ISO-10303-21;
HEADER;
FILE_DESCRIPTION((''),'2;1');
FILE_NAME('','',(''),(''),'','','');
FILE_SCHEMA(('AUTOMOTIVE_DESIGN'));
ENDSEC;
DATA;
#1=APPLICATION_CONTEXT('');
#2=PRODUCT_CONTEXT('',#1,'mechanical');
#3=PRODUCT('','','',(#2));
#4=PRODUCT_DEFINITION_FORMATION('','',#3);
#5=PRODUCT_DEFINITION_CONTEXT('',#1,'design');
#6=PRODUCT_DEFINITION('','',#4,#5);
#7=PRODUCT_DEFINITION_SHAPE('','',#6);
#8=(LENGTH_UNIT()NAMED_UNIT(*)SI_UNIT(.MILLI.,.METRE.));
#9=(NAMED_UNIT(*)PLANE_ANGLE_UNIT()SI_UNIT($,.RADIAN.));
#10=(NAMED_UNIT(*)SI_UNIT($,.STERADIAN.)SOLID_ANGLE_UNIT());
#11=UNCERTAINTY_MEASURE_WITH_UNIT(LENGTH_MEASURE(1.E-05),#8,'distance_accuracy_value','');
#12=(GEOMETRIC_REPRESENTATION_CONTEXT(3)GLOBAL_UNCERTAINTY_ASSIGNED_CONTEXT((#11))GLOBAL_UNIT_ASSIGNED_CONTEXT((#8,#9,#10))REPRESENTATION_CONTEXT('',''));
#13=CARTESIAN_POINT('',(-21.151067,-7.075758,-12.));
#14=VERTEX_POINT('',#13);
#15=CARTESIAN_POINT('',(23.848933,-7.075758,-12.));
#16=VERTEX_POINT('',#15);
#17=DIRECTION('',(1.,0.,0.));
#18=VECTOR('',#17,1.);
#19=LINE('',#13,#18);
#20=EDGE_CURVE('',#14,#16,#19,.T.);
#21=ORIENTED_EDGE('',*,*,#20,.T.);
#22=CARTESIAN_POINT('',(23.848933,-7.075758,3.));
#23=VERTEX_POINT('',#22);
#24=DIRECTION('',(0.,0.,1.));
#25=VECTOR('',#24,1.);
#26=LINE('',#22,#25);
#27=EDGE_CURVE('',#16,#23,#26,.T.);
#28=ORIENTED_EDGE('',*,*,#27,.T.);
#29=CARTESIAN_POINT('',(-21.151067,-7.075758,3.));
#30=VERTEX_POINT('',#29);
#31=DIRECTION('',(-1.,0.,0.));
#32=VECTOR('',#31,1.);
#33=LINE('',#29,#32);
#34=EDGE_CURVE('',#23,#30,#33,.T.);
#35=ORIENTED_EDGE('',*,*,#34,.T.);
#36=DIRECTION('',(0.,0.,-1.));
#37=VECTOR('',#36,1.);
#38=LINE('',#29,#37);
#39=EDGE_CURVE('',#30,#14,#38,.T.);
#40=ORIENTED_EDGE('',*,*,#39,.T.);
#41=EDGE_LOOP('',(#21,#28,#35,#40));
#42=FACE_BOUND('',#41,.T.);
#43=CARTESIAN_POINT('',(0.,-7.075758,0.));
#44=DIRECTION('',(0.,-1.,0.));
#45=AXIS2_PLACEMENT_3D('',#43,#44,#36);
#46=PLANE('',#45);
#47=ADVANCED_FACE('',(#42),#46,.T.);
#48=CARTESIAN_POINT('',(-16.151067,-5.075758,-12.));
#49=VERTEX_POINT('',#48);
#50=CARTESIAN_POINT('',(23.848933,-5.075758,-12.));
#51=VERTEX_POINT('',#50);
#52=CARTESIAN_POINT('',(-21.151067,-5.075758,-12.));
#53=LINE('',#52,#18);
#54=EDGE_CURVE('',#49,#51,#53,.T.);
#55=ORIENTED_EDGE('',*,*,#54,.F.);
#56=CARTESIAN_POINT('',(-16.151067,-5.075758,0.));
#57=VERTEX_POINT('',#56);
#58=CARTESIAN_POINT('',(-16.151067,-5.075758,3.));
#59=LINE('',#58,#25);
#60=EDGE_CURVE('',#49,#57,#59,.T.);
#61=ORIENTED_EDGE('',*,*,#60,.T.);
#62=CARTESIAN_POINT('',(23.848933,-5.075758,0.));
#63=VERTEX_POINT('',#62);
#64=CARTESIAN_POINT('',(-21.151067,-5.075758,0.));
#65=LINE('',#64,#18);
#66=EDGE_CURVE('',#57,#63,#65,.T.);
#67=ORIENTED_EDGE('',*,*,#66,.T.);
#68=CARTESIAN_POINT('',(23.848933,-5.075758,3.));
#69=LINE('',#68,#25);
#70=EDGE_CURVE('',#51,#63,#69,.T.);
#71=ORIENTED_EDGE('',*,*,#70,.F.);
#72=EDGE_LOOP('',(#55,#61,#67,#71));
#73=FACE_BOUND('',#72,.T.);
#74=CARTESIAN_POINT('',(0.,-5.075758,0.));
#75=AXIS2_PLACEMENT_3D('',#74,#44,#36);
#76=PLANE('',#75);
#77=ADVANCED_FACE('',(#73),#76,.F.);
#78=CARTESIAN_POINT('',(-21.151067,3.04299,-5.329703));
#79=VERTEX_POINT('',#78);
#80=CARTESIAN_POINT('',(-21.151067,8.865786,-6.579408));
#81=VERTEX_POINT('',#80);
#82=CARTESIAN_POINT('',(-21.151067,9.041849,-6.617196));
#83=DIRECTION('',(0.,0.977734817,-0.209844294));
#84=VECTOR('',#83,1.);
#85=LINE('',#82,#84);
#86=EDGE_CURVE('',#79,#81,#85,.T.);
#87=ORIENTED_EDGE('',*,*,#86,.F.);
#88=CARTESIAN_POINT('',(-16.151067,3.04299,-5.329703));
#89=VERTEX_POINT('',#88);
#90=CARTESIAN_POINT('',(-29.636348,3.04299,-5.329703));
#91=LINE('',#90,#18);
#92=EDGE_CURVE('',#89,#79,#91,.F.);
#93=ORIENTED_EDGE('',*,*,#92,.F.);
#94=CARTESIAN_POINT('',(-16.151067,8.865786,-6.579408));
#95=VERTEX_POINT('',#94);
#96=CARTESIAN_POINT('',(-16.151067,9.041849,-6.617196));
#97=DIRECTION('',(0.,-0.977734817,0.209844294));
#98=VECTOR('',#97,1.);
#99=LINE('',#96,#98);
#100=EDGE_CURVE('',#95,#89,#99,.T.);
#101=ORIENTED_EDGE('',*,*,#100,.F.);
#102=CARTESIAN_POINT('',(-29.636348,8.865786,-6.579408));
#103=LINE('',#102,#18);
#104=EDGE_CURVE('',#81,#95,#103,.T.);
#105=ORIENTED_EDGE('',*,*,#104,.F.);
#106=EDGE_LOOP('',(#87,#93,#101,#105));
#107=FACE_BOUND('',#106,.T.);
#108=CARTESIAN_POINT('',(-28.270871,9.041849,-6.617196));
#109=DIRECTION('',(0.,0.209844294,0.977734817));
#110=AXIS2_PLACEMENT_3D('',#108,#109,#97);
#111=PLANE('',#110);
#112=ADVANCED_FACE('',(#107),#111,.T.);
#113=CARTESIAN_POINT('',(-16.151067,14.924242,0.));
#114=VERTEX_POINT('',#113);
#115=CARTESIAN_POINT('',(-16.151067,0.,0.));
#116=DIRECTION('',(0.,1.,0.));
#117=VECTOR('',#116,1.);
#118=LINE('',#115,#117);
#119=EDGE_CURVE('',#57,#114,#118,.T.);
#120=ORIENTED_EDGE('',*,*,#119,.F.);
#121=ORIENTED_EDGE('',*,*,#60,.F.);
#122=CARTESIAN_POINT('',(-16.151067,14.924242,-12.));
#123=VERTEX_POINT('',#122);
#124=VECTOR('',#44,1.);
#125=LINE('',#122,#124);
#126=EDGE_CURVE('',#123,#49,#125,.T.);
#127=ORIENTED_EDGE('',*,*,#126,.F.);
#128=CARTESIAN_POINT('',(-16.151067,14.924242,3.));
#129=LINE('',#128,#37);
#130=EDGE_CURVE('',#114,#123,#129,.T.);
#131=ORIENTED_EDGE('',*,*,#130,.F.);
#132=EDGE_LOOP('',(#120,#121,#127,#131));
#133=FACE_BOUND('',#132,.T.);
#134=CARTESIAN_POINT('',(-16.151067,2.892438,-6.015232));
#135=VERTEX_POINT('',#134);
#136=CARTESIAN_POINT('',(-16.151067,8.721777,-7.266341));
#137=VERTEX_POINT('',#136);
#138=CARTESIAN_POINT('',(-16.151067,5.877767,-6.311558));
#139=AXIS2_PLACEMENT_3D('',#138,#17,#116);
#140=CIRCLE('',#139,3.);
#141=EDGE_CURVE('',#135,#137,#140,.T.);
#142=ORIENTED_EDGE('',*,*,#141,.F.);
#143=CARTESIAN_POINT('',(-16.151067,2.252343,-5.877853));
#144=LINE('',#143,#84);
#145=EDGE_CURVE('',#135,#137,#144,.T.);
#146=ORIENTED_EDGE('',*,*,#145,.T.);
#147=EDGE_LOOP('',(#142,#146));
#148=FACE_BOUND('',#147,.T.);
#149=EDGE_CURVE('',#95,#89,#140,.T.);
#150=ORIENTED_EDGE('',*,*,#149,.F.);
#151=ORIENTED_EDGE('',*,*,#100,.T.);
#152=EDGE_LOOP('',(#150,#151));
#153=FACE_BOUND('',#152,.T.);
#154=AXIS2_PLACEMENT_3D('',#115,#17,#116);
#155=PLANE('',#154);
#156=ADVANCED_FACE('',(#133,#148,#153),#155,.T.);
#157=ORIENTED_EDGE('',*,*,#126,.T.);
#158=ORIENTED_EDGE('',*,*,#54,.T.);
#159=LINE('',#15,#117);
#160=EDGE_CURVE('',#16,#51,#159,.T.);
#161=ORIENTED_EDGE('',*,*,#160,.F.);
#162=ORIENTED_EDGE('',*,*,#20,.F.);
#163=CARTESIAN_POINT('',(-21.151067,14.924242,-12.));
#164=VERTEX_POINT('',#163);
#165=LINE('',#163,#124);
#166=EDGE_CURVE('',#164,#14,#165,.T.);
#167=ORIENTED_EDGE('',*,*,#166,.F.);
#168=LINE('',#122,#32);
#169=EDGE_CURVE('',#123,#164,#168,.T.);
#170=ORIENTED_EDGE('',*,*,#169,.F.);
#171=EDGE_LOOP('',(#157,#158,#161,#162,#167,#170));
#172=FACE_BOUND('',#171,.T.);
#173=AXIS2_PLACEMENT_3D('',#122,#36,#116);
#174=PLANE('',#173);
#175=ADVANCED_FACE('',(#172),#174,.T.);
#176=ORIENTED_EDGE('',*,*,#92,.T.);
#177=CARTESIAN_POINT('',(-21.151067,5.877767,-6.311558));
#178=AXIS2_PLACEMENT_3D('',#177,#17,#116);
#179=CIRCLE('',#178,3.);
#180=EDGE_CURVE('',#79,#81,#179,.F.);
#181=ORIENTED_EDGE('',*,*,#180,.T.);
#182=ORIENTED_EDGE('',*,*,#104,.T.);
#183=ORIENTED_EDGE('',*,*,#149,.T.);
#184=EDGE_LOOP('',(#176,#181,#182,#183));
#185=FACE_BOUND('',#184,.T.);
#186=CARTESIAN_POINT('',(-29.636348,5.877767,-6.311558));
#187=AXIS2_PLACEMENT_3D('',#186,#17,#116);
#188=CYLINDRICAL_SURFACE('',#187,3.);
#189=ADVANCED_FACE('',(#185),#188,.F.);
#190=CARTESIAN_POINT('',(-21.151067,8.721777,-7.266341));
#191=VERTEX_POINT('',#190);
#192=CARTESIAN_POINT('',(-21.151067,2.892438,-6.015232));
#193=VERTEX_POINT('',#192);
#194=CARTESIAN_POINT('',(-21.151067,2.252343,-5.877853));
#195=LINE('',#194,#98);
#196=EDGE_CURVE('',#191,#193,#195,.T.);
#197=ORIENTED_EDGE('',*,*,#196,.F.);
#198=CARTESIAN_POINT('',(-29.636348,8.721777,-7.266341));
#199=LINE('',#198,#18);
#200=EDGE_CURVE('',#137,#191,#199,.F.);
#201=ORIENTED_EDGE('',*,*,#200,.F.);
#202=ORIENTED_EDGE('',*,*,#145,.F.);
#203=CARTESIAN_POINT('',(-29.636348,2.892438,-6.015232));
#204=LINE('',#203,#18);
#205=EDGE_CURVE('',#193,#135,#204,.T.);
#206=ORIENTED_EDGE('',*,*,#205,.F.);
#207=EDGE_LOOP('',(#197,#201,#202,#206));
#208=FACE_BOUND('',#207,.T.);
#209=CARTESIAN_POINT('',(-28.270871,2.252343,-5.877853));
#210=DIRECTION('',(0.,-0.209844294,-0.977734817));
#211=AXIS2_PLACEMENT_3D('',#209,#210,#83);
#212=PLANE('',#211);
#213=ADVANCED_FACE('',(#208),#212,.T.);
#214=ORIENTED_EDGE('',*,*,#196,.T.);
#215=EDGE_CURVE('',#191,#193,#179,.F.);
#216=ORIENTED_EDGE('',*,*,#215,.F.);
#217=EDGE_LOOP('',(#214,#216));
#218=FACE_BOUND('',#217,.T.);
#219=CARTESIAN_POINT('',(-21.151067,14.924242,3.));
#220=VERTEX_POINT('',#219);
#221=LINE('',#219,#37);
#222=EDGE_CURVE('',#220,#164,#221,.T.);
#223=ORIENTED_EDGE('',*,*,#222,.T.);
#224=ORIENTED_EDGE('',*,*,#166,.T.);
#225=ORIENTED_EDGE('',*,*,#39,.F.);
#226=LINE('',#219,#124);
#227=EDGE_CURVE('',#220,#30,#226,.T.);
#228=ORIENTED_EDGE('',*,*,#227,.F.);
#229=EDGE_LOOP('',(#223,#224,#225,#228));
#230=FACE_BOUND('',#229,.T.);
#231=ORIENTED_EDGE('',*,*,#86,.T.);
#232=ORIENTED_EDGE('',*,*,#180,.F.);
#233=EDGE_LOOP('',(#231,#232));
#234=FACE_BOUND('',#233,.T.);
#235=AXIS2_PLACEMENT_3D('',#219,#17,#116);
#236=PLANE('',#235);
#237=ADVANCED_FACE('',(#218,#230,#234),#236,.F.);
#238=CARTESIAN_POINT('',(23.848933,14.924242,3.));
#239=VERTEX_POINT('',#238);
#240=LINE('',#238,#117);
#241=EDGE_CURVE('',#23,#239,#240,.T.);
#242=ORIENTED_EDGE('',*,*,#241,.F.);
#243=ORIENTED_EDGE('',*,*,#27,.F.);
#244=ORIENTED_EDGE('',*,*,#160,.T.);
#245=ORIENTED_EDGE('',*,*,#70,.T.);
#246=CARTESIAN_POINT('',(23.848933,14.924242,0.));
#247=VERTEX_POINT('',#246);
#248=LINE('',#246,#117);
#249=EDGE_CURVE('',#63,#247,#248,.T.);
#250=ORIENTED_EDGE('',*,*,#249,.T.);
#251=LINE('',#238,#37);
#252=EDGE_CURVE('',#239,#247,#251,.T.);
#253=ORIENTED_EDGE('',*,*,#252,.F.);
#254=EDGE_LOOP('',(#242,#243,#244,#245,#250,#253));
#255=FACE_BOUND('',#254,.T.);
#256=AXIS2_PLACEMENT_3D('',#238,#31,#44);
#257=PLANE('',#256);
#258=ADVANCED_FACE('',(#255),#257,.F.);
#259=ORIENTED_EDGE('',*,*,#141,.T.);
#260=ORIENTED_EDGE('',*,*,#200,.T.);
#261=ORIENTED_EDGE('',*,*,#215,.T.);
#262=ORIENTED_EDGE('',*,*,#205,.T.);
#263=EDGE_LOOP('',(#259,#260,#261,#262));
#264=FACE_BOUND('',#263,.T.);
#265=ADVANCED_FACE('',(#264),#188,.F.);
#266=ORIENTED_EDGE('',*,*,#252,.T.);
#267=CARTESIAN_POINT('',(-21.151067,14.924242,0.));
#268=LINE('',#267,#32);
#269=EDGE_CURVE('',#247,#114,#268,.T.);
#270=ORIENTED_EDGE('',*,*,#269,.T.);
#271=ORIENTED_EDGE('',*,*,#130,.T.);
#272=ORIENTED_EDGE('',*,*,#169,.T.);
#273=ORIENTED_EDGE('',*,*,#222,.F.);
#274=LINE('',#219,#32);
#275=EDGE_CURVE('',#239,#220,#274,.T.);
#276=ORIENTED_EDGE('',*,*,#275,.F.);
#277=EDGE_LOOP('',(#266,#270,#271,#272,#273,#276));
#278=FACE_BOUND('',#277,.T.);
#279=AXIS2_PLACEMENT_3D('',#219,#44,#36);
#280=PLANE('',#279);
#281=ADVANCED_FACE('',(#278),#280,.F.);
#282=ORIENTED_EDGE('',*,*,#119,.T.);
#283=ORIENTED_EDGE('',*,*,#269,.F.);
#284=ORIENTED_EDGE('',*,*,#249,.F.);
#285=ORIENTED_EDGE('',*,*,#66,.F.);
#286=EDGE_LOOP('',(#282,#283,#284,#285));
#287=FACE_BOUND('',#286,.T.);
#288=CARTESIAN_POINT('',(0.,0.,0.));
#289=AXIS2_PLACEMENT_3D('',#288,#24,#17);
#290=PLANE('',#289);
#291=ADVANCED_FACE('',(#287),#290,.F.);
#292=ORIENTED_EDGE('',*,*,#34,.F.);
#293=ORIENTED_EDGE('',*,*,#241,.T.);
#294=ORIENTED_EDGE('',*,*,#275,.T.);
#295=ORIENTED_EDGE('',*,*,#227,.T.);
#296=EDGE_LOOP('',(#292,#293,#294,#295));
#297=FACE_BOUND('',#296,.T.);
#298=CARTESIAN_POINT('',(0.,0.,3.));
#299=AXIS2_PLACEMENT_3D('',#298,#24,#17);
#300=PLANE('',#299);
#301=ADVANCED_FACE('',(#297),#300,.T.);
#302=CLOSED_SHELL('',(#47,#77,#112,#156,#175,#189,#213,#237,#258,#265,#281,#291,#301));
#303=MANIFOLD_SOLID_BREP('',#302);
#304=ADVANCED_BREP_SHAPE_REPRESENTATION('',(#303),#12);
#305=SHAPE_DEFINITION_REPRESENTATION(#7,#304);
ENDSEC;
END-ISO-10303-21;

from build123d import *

# Parameters (mm, degrees)
ESQUISSE1_W             = 45
ESQUISSE1_H             = 20
BOSS_EXTRU_1_DEPTH      = 3
ESQUISSE2_W             = 15
ESQUISSE2_H             = 20
BOSS_EXTRU_2_DEPTH      = 5
ESQUISSE3_W             = 45
ESQUISSE3_H             = 15
BOSS_EXTRU_3_DEPTH      = 2
ENL_V_MAT_EXTRU_1_REACH = 46.348
ESQUISSE4_R             = 3
BOSS_EXTRU_4_DEPTH      = 5


with BuildPart() as part:
    # Esquisse1 → Boss.-Extru.1 (new body)
    with BuildSketch(Plane.XY):
        with Locations((1.348933413, 4.924242424)):
            Rectangle(ESQUISSE1_W, ESQUISSE1_H)
    extrude(amount=BOSS_EXTRU_1_DEPTH)

    # Esquisse2 → Boss.-Extru.2 (add)
    with BuildSketch(Plane.ZY.offset(21.151066587)):
        with Locations((-4.5, 4.924242424)):
            Rectangle(ESQUISSE2_W, ESQUISSE2_H)
    extrude(amount=-BOSS_EXTRU_2_DEPTH)

    # Esquisse3 → Boss.-Extru.3 (add)
    with BuildSketch(Plane.XZ.offset(5.075757576)):
        with Locations((1.348933413, -4.5)):
            Rectangle(ESQUISSE3_W, ESQUISSE3_H)
    extrude(amount=BOSS_EXTRU_3_DEPTH)

    # Esquisse4 → Enlèv. mat.-Extru.1 (cut, up to next)
    with BuildSketch(Plane(origin=(-16.151066587, 0, 0), x_dir=(0, 0, -1), z_dir=(1, 0, 0)), mode=Mode.PRIVATE) as enl_v_mat_extru_1_sk1:
        with Locations(Location((6.311557668, 5.877767498, 0), (0, 0, 90))):
            Circle(ESQUISSE4_R)
    enl_v_mat_extru_1_tool1 = extrude(enl_v_mat_extru_1_sk1.sketch, amount=-ENL_V_MAT_EXTRU_1_REACH, mode=Mode.PRIVATE) & part.part
    add(enl_v_mat_extru_1_tool1.solids().sort_by_distance((-16.151067, 5.877767, -6.311558))[0], mode=Mode.SUBTRACT)

    # Esquisse5 → Boss.-Extru.4 (add)
    with BuildSketch(Plane(origin=(-16.151066587, 0, 0), x_dir=(0, 0, -1), z_dir=(1, 0, 0))):
        Polygon((6.61719562, 9.041849495), (5.191621887, 2.399624229), (5.877852712, 2.252343371), (7.335036292, 9.041849495), align=None)
    extrude(amount=-BOSS_EXTRU_4_DEPTH)


solid = part.part
